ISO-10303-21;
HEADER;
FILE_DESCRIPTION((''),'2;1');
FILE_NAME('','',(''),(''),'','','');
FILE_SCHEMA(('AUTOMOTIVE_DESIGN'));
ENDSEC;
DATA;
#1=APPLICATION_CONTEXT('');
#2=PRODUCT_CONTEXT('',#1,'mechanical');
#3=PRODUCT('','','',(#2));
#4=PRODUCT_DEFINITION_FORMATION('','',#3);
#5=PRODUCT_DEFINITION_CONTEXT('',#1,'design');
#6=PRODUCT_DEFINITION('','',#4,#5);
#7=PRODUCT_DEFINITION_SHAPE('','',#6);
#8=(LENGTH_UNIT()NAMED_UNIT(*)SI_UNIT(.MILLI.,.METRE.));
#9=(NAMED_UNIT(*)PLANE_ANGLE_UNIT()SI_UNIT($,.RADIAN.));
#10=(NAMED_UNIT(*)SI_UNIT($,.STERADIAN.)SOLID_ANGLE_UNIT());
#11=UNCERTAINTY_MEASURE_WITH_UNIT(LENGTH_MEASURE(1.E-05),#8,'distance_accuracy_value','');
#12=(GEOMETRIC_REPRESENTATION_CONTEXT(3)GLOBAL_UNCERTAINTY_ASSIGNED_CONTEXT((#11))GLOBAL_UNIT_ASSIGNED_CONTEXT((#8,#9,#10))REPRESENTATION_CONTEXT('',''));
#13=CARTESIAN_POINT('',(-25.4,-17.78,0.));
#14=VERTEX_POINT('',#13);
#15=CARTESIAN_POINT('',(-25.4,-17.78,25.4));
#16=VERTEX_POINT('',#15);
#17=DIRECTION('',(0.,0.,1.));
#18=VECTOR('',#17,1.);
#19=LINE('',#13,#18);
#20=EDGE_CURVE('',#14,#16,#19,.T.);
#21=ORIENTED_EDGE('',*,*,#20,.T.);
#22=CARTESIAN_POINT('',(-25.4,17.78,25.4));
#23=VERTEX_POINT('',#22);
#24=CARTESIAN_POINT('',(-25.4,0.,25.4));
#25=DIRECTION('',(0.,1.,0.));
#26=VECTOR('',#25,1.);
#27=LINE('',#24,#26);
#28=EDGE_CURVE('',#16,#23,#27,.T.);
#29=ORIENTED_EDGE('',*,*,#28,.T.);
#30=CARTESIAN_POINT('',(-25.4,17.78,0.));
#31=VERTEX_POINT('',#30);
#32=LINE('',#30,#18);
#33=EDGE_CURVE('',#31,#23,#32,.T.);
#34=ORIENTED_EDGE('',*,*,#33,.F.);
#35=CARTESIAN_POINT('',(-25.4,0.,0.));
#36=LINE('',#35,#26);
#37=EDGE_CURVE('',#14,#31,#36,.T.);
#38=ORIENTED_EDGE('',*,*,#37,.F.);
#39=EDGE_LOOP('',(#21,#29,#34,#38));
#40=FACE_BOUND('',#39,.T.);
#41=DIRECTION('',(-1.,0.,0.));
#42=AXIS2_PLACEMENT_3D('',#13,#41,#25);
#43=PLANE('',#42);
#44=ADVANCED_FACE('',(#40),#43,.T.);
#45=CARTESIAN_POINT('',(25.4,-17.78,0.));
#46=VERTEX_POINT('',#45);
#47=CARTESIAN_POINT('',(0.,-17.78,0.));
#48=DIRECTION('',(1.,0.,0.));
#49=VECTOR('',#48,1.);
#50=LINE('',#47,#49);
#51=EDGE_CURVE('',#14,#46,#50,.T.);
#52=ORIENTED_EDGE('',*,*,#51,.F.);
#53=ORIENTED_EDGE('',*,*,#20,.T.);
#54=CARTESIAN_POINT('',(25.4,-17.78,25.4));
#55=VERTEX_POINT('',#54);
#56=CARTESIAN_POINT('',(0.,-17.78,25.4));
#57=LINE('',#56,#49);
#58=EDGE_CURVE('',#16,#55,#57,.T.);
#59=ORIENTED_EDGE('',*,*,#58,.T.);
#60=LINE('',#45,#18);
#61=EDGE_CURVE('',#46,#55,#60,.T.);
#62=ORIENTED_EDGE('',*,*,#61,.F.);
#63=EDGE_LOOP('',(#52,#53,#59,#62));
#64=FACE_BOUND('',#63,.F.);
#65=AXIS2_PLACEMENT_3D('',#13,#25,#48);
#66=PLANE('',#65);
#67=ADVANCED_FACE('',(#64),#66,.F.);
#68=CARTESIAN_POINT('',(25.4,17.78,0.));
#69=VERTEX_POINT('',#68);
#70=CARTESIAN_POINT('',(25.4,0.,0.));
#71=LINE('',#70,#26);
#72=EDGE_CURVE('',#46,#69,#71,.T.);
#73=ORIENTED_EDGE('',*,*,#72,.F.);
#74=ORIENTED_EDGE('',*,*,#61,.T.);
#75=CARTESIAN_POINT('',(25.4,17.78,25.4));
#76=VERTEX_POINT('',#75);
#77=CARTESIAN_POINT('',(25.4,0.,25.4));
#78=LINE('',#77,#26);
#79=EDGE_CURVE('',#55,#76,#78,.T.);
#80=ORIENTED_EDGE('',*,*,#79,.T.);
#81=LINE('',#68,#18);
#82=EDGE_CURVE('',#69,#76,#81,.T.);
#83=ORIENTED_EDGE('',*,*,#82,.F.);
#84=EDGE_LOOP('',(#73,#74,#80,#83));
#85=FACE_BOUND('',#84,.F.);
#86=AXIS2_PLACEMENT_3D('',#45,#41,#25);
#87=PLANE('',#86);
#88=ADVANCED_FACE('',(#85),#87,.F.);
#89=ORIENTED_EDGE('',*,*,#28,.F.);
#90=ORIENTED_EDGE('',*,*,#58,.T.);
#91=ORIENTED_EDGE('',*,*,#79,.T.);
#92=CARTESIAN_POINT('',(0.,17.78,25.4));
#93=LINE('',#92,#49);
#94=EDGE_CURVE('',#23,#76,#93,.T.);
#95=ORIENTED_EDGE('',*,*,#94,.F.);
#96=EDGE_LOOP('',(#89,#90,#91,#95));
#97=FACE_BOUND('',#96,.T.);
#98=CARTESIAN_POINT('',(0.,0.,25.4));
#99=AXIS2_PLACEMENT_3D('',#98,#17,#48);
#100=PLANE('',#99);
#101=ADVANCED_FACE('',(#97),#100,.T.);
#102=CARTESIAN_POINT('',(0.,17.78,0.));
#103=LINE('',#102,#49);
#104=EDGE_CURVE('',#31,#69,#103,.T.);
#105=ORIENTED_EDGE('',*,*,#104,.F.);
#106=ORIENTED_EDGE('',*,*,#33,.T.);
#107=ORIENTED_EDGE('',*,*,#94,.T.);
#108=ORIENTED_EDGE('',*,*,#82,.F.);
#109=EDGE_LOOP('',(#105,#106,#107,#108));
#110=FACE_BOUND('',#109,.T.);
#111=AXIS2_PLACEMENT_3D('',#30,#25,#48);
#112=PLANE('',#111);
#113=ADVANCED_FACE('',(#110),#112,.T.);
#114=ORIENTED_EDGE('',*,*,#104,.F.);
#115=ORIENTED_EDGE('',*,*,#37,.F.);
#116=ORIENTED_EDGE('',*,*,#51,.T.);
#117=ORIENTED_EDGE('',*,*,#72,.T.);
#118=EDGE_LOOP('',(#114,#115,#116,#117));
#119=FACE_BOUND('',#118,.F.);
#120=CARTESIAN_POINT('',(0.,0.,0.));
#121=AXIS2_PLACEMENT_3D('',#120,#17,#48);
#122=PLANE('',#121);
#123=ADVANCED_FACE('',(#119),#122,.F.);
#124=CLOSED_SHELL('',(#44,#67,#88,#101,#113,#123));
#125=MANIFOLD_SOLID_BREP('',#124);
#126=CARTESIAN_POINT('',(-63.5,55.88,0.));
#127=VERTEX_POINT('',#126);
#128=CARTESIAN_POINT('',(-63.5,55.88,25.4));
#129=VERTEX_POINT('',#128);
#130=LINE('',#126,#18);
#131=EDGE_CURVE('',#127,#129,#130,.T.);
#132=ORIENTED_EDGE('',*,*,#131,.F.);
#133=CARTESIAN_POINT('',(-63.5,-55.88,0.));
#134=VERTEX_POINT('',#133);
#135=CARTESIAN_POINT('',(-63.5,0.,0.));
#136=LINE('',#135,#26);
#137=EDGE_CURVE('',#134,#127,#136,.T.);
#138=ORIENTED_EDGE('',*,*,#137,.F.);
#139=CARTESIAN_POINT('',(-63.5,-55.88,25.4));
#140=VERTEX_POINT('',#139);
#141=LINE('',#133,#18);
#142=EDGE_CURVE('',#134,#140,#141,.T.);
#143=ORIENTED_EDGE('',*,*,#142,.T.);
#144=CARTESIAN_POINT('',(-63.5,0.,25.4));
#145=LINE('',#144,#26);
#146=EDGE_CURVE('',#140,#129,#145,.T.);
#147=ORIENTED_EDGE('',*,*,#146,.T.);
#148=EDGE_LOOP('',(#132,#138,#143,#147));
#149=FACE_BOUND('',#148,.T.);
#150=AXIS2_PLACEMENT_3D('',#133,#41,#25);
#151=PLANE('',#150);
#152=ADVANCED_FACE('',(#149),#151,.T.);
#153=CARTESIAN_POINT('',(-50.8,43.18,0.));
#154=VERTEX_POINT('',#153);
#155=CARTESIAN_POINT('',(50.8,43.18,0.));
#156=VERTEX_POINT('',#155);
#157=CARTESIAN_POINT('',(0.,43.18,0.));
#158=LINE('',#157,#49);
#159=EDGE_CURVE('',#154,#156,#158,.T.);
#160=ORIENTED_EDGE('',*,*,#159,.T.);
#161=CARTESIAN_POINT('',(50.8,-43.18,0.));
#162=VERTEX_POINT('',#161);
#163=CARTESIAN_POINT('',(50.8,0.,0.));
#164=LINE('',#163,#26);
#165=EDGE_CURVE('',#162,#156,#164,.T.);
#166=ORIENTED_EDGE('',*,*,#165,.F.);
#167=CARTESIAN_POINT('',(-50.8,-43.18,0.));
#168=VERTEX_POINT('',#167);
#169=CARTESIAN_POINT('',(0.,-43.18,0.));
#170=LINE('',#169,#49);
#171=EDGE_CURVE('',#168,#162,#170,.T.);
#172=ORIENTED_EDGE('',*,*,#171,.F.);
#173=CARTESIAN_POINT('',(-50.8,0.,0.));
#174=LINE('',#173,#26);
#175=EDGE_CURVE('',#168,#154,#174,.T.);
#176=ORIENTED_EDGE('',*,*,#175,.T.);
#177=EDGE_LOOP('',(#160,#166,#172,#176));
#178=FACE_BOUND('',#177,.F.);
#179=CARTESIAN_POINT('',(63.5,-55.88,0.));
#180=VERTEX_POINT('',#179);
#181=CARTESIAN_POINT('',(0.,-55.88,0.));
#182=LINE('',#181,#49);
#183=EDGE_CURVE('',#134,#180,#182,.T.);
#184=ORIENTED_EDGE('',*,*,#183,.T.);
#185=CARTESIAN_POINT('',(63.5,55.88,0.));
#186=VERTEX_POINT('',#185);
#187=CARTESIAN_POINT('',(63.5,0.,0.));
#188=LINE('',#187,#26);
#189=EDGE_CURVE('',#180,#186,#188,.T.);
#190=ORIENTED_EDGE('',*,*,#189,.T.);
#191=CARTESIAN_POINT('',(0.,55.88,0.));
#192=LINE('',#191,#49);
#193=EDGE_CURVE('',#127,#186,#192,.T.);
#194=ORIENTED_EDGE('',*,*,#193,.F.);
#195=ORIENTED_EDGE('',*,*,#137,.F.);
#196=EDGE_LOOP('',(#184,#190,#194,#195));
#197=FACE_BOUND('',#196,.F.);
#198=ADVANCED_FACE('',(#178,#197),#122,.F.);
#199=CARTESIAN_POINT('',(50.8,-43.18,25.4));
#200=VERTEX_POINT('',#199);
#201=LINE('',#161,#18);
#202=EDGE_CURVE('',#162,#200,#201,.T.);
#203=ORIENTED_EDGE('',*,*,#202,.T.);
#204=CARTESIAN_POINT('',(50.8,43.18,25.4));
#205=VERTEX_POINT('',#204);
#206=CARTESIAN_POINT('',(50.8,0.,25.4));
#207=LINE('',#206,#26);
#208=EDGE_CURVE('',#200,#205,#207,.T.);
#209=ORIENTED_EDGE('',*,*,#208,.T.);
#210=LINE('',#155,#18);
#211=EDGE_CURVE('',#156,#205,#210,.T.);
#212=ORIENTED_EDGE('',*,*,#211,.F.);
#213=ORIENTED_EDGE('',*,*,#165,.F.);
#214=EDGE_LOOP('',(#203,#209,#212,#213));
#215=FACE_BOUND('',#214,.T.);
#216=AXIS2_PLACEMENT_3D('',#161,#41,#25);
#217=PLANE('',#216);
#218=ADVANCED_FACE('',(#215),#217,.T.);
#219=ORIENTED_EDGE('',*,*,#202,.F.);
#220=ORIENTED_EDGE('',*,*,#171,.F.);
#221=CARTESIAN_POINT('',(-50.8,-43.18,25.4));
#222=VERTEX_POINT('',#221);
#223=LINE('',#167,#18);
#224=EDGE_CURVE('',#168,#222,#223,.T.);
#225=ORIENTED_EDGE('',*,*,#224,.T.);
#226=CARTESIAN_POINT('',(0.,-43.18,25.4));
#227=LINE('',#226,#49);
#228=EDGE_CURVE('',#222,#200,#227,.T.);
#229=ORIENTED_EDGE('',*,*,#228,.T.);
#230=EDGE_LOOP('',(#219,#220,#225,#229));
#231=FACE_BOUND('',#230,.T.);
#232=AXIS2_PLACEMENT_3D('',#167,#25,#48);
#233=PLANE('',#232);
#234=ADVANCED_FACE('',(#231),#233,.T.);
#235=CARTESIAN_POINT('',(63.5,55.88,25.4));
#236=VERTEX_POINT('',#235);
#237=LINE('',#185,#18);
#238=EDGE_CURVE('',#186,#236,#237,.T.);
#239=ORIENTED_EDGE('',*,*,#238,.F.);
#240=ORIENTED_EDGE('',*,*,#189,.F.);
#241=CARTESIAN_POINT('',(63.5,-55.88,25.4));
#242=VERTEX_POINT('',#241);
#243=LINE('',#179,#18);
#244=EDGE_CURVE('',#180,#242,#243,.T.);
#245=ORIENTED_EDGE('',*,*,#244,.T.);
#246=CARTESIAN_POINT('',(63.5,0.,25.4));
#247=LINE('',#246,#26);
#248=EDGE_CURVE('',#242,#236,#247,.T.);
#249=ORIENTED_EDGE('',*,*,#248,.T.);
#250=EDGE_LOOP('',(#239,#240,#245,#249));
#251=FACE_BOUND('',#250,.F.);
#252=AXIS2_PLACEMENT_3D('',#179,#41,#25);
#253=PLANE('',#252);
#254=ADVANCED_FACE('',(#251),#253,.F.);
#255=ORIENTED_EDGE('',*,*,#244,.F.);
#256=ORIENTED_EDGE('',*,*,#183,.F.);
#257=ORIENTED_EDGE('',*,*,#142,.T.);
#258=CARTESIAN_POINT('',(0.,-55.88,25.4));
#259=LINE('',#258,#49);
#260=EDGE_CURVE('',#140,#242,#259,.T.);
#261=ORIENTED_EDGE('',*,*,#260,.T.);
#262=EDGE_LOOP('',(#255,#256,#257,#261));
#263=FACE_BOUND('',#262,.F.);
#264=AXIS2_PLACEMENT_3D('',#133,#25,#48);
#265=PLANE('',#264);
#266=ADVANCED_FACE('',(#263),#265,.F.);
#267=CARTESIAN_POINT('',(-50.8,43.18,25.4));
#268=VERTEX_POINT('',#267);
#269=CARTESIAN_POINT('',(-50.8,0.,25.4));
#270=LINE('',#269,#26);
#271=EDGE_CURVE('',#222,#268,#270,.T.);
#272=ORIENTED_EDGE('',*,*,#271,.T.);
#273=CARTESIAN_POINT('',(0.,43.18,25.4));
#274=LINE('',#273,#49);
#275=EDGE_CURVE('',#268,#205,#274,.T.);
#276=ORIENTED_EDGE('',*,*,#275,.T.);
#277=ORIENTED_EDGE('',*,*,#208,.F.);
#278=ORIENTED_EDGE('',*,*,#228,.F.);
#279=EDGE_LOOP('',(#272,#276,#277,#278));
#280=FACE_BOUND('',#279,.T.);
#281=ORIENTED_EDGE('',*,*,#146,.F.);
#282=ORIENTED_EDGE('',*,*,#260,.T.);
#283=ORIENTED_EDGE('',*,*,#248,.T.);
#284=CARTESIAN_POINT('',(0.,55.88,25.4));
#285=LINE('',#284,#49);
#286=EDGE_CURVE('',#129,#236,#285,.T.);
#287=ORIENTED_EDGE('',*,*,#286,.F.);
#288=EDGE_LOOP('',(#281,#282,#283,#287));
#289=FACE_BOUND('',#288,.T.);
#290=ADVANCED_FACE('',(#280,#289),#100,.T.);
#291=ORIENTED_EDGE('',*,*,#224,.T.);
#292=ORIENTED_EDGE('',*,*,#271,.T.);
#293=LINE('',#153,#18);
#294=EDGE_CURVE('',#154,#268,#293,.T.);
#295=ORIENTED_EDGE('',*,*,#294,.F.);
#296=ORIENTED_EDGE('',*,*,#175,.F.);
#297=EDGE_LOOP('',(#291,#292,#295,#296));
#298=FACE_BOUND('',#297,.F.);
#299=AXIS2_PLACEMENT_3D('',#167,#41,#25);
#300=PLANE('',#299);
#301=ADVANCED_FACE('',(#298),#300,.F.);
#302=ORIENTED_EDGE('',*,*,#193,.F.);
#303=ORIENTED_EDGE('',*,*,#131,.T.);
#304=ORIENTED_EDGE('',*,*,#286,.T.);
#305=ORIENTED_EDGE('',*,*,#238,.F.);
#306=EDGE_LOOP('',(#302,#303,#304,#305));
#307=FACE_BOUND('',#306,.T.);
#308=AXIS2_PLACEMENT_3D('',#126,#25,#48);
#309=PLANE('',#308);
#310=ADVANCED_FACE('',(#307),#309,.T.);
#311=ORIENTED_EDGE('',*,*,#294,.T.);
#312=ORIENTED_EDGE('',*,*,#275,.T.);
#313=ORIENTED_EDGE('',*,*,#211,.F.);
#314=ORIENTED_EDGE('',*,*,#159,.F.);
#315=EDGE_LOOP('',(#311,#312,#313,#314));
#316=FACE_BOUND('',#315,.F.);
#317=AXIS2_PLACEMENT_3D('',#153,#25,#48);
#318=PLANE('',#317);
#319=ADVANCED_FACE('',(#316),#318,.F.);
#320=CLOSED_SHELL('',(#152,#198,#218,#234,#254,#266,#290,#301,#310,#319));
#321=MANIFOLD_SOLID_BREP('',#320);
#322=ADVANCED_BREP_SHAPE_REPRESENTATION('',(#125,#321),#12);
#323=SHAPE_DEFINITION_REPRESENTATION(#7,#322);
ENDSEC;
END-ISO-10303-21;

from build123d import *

# Parameters (mm, degrees)
F0_W     = 50.8
F0_H     = 35.56
F1_DEPTH = 25.4
F0_W_2   = 127
F0_H_2   = 111.76
F0_W_3   = 101.6
F0_H_3   = 86.36


with BuildPart() as f1:
    # F0 (on Top) → F1 (new body)
    with BuildSketch(Plane.XY):
        Rectangle(F0_W, F0_H)
    extrude(amount=F1_DEPTH)


with BuildPart() as f1b:
    # F0 (on Top) → F1, piece 2 (new body)
    with BuildSketch(Plane.XY):
        Rectangle(F0_W_2, F0_H_2)
        Rectangle(F0_W_3, F0_H_3, mode=Mode.SUBTRACT)
    extrude(amount=F1_DEPTH)


solid = Compound([f1.part, f1b.part])
